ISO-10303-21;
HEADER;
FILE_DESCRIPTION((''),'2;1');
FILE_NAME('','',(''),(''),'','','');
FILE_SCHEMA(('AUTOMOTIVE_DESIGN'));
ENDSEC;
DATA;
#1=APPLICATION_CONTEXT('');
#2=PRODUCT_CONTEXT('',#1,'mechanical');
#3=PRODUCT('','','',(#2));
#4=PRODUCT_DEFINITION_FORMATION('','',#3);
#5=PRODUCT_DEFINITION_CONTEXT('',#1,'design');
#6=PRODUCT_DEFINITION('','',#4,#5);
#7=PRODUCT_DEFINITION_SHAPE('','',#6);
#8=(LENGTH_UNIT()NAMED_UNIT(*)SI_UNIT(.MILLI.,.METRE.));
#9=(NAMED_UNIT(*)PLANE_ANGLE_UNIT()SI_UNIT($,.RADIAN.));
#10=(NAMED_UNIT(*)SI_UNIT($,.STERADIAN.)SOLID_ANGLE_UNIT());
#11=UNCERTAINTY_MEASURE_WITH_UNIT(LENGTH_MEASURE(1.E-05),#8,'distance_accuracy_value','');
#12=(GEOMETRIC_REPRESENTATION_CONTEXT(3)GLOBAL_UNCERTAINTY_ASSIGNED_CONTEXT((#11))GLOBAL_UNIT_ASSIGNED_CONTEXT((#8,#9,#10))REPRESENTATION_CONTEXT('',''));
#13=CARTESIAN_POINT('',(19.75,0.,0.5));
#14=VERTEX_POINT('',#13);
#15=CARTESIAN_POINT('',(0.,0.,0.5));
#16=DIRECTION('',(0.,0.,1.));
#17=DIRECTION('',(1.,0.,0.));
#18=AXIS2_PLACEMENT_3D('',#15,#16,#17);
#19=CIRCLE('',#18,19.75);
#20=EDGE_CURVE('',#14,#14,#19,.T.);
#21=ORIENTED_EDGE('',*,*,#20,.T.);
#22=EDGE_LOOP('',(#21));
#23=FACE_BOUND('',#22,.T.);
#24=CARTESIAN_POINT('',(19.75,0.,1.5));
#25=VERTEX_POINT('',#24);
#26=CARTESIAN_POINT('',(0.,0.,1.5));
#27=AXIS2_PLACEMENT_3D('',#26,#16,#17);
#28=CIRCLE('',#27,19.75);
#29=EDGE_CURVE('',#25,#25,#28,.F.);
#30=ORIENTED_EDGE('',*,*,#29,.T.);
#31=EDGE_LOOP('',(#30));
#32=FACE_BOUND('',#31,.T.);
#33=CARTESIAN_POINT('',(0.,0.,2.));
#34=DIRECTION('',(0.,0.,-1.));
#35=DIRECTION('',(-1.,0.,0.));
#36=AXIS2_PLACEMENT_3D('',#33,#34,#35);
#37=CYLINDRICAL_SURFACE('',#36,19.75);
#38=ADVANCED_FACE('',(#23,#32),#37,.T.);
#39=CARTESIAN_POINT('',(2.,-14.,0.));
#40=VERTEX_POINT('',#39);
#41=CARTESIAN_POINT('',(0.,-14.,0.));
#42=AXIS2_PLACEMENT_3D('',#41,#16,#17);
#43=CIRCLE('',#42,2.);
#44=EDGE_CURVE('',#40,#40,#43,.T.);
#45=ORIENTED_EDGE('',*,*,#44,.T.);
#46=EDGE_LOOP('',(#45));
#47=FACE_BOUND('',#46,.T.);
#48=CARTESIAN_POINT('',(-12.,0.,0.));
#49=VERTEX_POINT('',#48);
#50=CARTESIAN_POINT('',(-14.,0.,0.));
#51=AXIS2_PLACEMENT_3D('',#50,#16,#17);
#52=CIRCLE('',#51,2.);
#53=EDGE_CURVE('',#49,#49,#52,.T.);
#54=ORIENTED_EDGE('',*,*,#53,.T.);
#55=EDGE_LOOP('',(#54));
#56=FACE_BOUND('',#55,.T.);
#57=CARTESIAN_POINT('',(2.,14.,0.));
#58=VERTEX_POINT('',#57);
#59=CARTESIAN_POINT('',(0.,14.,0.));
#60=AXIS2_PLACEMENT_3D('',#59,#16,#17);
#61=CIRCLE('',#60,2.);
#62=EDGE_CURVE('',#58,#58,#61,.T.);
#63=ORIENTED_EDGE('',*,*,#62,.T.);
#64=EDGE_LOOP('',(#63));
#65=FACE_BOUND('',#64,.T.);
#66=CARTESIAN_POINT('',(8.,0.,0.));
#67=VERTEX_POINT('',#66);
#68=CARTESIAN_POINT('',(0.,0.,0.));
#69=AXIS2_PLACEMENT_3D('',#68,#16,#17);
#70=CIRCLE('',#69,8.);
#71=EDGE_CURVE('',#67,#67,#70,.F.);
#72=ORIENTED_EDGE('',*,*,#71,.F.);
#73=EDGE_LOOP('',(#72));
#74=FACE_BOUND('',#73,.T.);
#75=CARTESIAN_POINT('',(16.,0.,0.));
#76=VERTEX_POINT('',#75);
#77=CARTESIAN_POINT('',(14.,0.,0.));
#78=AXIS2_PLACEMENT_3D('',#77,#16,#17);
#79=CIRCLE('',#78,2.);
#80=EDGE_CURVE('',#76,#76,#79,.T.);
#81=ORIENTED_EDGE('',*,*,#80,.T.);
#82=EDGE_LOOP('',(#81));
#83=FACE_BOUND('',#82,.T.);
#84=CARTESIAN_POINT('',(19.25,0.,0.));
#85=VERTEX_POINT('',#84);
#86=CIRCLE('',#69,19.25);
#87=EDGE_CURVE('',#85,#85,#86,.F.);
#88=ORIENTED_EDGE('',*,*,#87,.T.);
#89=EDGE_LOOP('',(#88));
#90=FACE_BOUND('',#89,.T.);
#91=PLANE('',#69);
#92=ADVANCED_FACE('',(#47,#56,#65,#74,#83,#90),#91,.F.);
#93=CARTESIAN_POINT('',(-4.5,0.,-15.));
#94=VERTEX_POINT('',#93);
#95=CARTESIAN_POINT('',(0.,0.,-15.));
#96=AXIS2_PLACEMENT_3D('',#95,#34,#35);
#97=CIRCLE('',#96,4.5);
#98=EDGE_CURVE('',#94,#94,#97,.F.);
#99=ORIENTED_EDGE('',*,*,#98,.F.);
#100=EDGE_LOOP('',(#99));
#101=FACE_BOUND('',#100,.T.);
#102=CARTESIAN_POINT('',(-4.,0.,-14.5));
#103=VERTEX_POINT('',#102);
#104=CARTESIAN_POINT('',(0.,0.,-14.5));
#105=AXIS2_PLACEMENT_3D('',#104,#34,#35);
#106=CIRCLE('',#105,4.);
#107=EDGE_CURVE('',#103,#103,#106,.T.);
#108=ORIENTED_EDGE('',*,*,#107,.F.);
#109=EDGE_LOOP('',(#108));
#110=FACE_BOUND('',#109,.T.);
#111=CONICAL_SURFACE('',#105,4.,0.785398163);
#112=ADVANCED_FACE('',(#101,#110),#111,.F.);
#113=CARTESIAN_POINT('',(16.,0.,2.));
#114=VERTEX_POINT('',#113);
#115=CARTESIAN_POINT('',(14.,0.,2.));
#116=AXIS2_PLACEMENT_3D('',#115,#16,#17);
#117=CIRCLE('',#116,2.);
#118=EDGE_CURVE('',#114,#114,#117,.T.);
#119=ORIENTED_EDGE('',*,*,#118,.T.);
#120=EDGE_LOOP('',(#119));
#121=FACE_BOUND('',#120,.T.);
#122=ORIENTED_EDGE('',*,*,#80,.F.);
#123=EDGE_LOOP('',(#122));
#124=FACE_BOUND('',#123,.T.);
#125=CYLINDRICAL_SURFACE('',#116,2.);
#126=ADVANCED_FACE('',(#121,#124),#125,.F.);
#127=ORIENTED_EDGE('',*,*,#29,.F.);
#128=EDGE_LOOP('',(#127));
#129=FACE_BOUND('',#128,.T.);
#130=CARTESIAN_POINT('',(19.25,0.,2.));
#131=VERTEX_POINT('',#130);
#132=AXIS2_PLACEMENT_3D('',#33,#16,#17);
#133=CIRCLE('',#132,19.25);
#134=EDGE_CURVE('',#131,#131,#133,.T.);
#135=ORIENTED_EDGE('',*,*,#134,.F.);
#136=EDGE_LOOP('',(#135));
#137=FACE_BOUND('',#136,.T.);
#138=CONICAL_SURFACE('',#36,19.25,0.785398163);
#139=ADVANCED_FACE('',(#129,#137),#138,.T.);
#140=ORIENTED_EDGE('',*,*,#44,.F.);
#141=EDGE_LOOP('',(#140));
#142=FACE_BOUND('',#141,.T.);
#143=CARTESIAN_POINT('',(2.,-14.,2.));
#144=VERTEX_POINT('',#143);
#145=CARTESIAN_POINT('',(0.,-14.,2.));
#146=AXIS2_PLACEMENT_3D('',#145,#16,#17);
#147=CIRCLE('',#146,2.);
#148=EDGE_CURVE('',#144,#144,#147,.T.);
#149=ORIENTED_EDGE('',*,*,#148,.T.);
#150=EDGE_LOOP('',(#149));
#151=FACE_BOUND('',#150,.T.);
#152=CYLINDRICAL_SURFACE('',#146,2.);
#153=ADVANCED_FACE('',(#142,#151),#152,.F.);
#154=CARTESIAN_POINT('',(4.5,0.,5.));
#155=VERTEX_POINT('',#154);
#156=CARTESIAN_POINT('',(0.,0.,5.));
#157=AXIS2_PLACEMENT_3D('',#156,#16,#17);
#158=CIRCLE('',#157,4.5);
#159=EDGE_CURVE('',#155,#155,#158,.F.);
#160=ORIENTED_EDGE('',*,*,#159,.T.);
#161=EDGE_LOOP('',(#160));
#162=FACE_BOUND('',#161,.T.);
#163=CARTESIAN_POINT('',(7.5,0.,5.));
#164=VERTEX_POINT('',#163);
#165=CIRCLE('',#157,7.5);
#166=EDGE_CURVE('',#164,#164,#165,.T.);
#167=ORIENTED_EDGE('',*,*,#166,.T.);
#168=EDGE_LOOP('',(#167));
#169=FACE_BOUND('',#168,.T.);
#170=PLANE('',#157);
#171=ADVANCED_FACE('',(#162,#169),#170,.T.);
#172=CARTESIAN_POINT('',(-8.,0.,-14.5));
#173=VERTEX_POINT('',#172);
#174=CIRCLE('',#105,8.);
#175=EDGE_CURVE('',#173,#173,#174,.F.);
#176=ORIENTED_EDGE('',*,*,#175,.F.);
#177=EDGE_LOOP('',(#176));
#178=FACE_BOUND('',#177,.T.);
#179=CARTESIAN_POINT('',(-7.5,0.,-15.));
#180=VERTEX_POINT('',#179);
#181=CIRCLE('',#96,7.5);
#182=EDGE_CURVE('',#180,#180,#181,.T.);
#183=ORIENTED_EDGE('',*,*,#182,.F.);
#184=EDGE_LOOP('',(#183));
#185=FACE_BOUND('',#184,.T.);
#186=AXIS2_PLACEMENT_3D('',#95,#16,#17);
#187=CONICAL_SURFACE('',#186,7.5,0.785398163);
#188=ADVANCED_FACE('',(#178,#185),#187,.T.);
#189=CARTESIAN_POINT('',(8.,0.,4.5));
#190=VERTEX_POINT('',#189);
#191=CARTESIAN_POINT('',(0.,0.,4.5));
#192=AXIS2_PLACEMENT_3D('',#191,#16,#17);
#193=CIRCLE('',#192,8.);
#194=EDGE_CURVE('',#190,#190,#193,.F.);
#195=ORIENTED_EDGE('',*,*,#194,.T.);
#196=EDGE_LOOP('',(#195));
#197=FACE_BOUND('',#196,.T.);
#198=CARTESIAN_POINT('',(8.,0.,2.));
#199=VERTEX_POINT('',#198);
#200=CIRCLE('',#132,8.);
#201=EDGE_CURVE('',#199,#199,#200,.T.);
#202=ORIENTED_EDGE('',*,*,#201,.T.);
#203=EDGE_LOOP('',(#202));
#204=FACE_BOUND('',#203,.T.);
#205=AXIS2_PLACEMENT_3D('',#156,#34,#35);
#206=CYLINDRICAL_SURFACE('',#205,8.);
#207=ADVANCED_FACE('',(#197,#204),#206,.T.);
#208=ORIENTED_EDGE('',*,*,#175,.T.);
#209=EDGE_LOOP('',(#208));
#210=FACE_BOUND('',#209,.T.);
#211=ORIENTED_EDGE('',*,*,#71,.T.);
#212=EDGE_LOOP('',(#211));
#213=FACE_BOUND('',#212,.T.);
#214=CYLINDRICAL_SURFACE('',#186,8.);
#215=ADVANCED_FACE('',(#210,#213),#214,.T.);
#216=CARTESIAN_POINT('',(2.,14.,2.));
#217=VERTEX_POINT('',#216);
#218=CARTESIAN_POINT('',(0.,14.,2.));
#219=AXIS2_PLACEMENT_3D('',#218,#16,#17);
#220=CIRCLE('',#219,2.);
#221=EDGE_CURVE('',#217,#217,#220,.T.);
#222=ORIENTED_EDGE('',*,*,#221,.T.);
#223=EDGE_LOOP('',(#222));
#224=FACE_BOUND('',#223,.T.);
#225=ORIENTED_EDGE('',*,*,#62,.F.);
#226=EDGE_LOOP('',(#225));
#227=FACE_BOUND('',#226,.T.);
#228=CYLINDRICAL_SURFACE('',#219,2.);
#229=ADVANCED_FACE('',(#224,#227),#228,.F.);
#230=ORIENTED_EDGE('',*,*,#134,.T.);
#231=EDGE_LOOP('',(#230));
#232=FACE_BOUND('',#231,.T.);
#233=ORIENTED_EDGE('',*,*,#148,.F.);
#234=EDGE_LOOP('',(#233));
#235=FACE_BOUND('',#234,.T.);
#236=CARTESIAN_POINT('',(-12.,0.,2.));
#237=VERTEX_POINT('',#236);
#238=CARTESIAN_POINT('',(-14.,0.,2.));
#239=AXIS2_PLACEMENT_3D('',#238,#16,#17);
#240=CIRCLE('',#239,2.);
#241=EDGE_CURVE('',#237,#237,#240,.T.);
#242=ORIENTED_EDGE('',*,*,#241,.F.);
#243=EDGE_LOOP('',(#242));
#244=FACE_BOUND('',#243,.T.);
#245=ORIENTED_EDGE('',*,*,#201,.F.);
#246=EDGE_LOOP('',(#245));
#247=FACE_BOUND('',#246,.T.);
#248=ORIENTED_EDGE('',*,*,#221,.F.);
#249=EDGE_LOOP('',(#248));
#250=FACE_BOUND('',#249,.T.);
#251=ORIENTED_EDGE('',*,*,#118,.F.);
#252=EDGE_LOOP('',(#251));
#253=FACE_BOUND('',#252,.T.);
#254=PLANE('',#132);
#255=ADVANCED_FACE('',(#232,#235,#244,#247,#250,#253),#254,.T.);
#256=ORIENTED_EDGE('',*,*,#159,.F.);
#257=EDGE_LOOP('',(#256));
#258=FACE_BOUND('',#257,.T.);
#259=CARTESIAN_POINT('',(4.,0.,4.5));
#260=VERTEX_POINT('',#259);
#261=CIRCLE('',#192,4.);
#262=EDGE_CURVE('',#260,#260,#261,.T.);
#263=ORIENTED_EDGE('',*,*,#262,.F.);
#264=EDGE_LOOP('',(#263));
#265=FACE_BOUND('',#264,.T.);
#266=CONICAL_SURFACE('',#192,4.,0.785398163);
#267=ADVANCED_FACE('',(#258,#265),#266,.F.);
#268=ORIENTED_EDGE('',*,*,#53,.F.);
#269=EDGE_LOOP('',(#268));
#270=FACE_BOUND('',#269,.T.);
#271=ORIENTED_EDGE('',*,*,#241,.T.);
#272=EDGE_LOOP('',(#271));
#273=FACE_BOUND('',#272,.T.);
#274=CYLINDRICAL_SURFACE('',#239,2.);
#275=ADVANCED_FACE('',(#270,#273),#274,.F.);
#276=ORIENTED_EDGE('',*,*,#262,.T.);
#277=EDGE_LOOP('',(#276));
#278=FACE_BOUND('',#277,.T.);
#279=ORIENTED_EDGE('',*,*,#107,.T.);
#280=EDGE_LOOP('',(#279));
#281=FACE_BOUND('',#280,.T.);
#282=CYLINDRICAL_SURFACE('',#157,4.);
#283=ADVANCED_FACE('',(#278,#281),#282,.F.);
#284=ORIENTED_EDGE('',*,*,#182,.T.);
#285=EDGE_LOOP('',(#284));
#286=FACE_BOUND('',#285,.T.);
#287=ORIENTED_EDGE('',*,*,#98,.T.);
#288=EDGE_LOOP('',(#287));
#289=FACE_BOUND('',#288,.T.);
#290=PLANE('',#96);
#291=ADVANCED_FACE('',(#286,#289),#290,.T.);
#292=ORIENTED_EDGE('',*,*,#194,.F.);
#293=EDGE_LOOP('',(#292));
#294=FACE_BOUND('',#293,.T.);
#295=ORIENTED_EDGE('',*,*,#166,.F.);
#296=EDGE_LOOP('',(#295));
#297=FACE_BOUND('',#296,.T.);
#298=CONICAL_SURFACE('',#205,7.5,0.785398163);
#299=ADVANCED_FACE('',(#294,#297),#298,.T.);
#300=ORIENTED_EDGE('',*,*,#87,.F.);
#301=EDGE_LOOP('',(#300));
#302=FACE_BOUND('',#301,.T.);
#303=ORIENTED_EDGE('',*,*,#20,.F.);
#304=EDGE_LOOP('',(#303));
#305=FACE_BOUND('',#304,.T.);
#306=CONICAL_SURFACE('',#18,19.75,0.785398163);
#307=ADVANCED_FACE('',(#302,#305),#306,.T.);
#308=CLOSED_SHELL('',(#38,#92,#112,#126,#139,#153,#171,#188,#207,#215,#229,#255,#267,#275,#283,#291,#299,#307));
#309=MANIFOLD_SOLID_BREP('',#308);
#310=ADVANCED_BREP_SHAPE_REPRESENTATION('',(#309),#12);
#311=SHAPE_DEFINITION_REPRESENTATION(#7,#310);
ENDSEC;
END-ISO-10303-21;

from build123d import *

# Parameters (mm, degrees)
SKETCH_1_R         = 19.75
EXTRUDE_1_DEPTH    = 2
SKETCH_2_R         = 8
EXTRUDE_2_DEPTH    = 3
EXTRUDE_START      = 15
SKETCH_3_R         = 8
EXTRUDE_3_DEPTH    = 15
HOLE_WIZARD_M8_1_D = 8
HOLE_WIZARD_M4_1_D = 4
CHAMFER_1_SIZE     = 0.5


with BuildPart() as part:
    # 草图1 → 凸台-拉伸1 (new body)
    with BuildSketch(Plane.XY):
        Circle(SKETCH_1_R)
    extrude(amount=EXTRUDE_1_DEPTH)

    # 草图2 → 凸台-拉伸2 (add)
    with BuildSketch(Plane.XY.offset(2)):
        Circle(SKETCH_2_R)
    extrude(amount=EXTRUDE_2_DEPTH)

    # 草图3 → 凸台-拉伸3 (add)
    with BuildSketch(Plane(origin=(0, 0, 0), x_dir=(-1, 0, 0), z_dir=(0, 0, -1)).offset(EXTRUDE_START)):
        with Locations(Location((0, 0, 0), (0, 0, 180))):
            Circle(SKETCH_3_R)
    extrude(amount=-EXTRUDE_3_DEPTH)

    # M8 螺纹孔1 (through all)
    with Locations(Plane.XY.offset(5)):
        with Locations((0, 0)):
            Hole(HOLE_WIZARD_M8_1_D / 2)

    # M4 螺纹孔1 (through all)
    with Locations(Plane.XY.offset(2)):
        with Locations((0, 14), (0, -14), (-14, 0), (14, 0)):
            Hole(HOLE_WIZARD_M4_1_D / 2)

    # 倒角1
    chamfer_1_edges = [part.edges().sort_by_distance(p)[0] for p in [
        (-8, 0, -15),
        (4, 0, 5),
        (4, 0, -15),
        (-19.75, 0, 0),
        (-19.75, 0, 2),
        (-8, 0, 5),
    ]]
    chamfer(chamfer_1_edges, length=CHAMFER_1_SIZE)


solid = part.part
